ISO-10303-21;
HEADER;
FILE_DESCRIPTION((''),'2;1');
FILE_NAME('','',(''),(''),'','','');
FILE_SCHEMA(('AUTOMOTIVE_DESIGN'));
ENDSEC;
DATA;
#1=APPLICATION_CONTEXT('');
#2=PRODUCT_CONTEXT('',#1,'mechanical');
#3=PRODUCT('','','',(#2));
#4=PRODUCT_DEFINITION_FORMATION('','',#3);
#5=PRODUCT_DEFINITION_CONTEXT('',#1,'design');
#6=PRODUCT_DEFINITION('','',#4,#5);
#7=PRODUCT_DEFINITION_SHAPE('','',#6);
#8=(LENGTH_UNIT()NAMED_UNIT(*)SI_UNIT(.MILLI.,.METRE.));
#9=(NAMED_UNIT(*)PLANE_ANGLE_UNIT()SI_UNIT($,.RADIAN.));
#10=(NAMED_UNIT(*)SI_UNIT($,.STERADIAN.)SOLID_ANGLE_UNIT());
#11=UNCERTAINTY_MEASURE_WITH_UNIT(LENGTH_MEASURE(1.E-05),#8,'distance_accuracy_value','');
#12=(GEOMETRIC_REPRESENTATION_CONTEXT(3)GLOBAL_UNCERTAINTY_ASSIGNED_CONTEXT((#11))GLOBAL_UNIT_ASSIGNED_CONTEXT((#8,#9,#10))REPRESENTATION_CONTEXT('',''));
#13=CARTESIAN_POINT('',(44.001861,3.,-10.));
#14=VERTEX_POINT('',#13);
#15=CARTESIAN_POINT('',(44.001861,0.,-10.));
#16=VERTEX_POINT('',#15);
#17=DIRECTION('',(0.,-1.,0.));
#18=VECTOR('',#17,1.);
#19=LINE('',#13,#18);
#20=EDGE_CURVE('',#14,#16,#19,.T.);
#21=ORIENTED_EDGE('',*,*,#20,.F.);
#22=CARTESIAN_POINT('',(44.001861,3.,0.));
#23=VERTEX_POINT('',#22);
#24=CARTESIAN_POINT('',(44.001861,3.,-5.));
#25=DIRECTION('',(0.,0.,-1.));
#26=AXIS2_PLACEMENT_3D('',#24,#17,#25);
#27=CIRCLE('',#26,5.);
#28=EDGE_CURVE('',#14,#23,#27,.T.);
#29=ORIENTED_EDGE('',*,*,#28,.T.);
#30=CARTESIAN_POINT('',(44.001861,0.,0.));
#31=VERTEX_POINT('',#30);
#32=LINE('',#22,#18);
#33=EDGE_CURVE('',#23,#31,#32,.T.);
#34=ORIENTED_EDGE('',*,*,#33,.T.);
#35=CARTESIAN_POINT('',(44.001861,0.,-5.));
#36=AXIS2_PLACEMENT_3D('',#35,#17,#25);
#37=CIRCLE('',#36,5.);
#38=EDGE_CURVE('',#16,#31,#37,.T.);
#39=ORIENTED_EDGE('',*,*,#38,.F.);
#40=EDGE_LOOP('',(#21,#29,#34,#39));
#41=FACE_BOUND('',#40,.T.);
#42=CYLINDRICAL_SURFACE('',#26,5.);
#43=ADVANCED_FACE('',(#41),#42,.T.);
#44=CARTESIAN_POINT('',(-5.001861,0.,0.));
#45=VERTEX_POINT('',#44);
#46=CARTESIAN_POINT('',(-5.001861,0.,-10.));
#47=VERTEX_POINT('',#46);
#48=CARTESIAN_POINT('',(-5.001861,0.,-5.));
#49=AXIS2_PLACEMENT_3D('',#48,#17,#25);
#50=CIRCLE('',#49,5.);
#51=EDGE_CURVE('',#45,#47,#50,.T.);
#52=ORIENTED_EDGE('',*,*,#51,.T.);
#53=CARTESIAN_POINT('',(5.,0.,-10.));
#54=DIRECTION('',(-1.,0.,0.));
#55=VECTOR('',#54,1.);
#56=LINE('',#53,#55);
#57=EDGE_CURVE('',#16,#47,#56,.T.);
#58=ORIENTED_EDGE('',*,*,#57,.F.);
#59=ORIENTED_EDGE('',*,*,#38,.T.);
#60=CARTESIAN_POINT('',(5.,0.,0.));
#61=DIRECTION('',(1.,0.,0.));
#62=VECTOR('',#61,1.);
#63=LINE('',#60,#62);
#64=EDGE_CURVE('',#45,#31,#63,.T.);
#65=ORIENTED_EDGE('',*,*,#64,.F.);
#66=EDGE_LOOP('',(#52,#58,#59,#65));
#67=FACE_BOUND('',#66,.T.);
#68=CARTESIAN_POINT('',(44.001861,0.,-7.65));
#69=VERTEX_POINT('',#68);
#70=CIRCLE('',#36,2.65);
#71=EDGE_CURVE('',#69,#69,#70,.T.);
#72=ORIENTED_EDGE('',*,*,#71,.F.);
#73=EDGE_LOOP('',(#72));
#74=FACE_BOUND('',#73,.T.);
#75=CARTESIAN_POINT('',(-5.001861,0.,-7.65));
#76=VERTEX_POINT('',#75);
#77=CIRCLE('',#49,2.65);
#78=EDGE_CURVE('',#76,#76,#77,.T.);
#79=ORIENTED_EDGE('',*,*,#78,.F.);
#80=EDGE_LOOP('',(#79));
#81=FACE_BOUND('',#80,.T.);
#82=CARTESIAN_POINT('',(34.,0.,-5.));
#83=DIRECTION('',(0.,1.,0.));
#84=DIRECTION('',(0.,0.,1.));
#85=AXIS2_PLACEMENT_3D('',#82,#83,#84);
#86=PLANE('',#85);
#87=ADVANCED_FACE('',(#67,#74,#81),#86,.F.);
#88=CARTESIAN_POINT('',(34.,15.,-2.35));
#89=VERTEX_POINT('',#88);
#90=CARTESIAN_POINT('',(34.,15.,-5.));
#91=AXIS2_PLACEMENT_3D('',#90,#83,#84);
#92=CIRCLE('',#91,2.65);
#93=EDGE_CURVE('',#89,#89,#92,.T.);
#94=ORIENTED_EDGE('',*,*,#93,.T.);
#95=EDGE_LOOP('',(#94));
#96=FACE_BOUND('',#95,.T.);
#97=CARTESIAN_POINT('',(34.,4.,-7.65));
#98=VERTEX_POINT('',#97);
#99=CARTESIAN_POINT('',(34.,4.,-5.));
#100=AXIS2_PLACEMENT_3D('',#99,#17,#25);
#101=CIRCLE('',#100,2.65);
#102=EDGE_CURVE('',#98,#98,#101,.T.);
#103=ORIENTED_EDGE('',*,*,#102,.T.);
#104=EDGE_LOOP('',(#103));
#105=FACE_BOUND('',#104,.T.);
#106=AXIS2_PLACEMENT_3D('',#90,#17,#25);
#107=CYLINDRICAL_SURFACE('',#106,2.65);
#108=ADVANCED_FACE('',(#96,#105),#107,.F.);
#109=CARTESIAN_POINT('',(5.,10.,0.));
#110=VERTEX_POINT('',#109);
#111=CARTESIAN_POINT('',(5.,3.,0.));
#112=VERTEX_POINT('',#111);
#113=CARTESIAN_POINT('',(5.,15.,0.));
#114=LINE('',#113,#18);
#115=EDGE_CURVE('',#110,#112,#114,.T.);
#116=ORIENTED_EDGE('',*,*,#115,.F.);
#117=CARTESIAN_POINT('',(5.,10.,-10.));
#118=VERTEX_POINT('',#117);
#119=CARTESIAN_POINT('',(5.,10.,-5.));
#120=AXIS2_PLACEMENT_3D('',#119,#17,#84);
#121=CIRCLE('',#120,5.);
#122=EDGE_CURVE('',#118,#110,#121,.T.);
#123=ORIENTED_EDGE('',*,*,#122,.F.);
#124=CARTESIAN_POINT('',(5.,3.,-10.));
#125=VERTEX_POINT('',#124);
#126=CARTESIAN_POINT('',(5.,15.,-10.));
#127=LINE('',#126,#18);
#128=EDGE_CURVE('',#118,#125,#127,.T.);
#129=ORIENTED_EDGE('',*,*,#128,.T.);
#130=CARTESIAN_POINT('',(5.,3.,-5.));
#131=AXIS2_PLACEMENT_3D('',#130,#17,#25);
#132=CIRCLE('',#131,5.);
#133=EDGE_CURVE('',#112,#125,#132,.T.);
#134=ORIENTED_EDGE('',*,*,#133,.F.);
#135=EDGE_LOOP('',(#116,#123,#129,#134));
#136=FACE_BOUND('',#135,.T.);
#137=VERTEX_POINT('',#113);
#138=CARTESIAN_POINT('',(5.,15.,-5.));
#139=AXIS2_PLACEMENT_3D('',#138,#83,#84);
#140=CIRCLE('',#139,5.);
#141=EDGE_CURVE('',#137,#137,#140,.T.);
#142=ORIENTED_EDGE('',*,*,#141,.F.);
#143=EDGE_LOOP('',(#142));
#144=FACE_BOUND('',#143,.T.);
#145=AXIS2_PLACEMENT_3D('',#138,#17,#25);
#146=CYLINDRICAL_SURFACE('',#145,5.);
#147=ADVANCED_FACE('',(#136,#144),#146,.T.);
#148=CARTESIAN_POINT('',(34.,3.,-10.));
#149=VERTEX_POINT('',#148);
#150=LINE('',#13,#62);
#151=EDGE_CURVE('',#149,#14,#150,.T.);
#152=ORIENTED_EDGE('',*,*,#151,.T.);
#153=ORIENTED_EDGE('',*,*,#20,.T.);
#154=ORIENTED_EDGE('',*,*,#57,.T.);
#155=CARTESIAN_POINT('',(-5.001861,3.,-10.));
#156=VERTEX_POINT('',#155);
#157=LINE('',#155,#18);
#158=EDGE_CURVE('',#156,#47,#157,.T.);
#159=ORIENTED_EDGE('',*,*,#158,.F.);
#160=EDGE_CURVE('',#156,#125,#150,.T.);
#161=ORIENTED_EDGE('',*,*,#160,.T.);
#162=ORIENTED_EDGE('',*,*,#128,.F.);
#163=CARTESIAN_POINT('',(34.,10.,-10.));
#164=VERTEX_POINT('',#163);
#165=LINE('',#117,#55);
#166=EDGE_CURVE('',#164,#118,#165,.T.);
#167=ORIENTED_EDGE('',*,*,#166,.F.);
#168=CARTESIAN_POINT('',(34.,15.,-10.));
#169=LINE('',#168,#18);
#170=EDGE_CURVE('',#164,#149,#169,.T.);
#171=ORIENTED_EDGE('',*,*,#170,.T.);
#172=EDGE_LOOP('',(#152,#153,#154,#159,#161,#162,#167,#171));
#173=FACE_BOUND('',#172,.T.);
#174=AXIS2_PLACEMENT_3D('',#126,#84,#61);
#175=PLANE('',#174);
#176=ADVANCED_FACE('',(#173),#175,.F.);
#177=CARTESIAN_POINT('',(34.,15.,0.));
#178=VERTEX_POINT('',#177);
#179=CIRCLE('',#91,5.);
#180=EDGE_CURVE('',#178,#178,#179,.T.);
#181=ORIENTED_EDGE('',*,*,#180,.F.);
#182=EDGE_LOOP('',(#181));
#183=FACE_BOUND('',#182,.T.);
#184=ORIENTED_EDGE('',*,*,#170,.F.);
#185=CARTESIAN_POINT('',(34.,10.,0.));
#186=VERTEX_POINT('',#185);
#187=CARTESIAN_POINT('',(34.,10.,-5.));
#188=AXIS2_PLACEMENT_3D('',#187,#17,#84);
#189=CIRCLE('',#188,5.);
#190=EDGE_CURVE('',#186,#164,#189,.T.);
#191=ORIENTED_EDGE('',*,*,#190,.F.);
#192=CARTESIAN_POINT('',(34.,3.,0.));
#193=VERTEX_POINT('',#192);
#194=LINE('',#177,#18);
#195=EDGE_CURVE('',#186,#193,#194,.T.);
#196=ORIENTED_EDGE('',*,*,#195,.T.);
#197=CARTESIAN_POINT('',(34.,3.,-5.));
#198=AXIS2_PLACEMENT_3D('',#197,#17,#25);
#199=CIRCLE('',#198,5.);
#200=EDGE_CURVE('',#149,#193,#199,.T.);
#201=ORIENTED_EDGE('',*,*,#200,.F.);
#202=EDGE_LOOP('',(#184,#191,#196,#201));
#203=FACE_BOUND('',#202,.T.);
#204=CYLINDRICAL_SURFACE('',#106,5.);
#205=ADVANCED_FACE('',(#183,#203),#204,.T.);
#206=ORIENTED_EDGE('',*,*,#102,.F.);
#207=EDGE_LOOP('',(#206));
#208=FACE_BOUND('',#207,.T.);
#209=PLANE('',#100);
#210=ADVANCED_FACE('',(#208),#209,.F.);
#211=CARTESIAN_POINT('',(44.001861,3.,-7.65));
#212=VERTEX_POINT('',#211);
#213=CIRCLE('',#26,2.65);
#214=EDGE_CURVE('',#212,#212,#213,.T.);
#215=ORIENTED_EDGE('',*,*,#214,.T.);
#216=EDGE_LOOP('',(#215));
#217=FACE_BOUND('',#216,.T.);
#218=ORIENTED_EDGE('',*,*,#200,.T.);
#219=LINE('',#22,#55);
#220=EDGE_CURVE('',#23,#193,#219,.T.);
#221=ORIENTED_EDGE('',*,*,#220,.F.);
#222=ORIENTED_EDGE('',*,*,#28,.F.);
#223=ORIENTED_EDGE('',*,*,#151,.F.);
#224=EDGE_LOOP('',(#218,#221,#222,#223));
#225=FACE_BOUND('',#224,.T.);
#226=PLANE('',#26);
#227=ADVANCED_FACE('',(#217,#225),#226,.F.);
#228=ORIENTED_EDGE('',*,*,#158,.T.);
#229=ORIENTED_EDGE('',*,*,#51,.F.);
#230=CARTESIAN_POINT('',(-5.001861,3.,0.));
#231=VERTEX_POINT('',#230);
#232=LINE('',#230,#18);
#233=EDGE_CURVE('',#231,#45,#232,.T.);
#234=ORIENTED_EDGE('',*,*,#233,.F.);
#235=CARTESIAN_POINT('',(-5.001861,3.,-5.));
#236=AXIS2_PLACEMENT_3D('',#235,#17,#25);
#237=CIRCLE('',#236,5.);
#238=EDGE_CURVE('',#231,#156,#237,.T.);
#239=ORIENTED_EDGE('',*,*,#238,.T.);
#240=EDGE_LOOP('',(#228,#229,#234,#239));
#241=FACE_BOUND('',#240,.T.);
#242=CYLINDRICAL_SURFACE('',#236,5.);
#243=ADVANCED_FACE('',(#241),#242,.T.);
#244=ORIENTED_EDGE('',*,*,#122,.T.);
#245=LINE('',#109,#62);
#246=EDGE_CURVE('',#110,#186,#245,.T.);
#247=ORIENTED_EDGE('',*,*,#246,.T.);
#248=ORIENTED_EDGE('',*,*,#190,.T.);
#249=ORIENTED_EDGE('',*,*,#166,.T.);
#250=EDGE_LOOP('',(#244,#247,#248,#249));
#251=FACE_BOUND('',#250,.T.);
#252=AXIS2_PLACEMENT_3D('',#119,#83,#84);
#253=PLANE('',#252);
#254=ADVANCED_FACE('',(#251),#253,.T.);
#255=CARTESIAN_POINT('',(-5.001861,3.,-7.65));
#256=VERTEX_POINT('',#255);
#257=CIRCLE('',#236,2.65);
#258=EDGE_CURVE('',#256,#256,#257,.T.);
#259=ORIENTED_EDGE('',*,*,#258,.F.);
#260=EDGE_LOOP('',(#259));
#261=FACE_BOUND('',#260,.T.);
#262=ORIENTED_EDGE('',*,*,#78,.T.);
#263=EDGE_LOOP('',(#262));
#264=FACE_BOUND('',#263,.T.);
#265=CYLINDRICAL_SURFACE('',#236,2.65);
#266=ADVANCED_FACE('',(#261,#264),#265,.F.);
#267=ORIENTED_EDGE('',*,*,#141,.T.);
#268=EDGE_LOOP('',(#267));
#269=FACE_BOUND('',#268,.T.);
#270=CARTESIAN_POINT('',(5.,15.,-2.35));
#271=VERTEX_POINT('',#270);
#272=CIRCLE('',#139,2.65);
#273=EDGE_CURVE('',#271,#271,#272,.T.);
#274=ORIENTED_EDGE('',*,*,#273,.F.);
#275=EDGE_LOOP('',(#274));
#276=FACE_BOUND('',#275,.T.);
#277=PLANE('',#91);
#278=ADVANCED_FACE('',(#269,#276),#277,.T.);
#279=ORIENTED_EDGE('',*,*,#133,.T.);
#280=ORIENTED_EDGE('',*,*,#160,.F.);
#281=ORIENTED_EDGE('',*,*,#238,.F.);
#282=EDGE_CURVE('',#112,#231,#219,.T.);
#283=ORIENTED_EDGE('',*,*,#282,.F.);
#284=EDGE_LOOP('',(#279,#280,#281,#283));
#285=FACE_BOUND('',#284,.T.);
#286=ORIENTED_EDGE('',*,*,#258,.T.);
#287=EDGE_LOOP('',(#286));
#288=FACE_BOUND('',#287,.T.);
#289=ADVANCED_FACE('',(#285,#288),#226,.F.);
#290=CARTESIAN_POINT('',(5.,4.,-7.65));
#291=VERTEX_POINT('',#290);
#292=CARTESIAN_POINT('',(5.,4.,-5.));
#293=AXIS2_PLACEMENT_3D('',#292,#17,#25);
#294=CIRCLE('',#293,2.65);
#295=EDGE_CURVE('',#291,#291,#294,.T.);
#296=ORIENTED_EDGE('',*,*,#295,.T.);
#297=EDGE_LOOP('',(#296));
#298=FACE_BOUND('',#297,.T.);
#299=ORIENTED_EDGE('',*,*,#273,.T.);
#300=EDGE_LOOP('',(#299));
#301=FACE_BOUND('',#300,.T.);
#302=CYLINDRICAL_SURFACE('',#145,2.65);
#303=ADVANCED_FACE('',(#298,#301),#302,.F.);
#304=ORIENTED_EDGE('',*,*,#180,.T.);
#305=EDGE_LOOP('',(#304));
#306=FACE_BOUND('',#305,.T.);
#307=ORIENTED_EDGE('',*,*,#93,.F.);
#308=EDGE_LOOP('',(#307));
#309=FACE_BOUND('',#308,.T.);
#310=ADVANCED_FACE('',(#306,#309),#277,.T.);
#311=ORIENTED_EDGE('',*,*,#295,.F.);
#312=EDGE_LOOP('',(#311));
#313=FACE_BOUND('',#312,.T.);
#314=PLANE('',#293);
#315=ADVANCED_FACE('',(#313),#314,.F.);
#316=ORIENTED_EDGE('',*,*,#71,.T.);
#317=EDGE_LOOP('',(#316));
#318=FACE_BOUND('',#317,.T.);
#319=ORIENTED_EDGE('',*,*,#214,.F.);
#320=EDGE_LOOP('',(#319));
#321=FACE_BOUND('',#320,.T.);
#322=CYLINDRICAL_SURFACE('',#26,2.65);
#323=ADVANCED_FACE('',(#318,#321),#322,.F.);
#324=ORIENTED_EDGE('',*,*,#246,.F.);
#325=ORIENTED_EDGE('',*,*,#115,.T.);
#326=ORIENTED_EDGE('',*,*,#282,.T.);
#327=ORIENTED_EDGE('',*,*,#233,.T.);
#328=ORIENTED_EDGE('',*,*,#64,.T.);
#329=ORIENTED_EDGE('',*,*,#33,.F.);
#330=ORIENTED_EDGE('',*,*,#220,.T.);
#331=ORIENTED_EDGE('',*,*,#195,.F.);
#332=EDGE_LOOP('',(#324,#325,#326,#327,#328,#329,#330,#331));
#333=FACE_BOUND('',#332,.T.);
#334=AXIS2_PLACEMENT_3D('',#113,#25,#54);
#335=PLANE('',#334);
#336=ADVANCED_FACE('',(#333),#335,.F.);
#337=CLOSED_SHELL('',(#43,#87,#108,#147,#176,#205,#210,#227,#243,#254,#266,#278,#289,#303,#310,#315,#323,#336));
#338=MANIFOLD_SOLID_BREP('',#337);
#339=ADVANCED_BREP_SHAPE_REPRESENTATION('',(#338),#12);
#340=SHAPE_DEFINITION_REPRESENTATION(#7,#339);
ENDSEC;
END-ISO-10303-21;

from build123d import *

# Parameters (mm, degrees)
ESQUISSE1_R             = 2.65
BOSS_EXTRU_1_DEPTH      = 15
ESQUISSE2_R             = 3.488871883
ESQUISSE2_R_2           = 3.573781448
BOSS_EXTRU_2_DEPTH      = 4
ENL_V_START             = -5
ENL_V_MAT_EXTRU_1_DEPTH = 5
ESQUISSE8_R             = 2.65
BOSS_EXTRU_3_DEPTH      = 3


with BuildPart() as part:
    # Esquisse1 → Boss.-Extru.1 (new body)
    with BuildSketch(Plane(origin=(0, 0, 0), x_dir=(1, 0, 0), z_dir=(0, 1, 0))):
        with BuildLine():
            Line((5, 0), (34, 0))
            ThreePointArc((34, 0), (39, 5), (34, 10))
            Line((34, 10), (5, 10))
            ThreePointArc((5, 10), (0, 5), (5, 0))
        make_face()
        with Locations(Location((5, 5, 0), (0, 0, 270))):
            Circle(ESQUISSE1_R, mode=Mode.SUBTRACT)
        with Locations(Location((34, 5, 0), (0, 0, 270))):
            Circle(ESQUISSE1_R, mode=Mode.SUBTRACT)
    extrude(amount=BOSS_EXTRU_1_DEPTH)

    # Esquisse2 → Boss.-Extru.2 (add)
    with BuildSketch(Plane.XZ):
        with Locations((5, -5)):
            Circle(ESQUISSE2_R)
        with Locations((34, -5)):
            Circle(ESQUISSE2_R_2)
    extrude(amount=-BOSS_EXTRU_2_DEPTH)

    # Esquisse3 → Enlèv. mat.-Extru.1 (cut)
    with BuildSketch(Plane(origin=(0, 15, 0), x_dir=(1, 0, 0), z_dir=(0, 1, 0)).offset(ENL_V_START)):
        with BuildLine():
            Line((5, 10), (34, 10))
            ThreePointArc((34, 10), (29, 5), (34, 0))
            Line((34, 0), (5, 0))
            ThreePointArc((5, 0), (10, 5), (5, 10))
        make_face()
    extrude(amount=ENL_V_MAT_EXTRU_1_DEPTH, mode=Mode.SUBTRACT)

    # Esquisse8 → Boss.-Extru.3 (add)
    with BuildSketch(Plane.XZ):
        with BuildLine():
            Line((44.001861421, -10), (-5.001861421, -10))
            ThreePointArc((-5.001861421, -10), (-10.001861421, -5), (-5.001861421, 0))
            Line((-5.001861421, 0), (44.001861421, 0))
            ThreePointArc((44.001861421, 0), (49.001861421, -5), (44.001861421, -10))
        make_face()
        with Locations(Location((-5.001861421, -5, 0), (0, 0, 270))):
            Circle(ESQUISSE8_R, mode=Mode.SUBTRACT)
        with Locations(Location((44.001861421, -5, 0), (0, 0, 270))):
            Circle(ESQUISSE8_R, mode=Mode.SUBTRACT)
    extrude(amount=-BOSS_EXTRU_3_DEPTH)


solid = part.part
